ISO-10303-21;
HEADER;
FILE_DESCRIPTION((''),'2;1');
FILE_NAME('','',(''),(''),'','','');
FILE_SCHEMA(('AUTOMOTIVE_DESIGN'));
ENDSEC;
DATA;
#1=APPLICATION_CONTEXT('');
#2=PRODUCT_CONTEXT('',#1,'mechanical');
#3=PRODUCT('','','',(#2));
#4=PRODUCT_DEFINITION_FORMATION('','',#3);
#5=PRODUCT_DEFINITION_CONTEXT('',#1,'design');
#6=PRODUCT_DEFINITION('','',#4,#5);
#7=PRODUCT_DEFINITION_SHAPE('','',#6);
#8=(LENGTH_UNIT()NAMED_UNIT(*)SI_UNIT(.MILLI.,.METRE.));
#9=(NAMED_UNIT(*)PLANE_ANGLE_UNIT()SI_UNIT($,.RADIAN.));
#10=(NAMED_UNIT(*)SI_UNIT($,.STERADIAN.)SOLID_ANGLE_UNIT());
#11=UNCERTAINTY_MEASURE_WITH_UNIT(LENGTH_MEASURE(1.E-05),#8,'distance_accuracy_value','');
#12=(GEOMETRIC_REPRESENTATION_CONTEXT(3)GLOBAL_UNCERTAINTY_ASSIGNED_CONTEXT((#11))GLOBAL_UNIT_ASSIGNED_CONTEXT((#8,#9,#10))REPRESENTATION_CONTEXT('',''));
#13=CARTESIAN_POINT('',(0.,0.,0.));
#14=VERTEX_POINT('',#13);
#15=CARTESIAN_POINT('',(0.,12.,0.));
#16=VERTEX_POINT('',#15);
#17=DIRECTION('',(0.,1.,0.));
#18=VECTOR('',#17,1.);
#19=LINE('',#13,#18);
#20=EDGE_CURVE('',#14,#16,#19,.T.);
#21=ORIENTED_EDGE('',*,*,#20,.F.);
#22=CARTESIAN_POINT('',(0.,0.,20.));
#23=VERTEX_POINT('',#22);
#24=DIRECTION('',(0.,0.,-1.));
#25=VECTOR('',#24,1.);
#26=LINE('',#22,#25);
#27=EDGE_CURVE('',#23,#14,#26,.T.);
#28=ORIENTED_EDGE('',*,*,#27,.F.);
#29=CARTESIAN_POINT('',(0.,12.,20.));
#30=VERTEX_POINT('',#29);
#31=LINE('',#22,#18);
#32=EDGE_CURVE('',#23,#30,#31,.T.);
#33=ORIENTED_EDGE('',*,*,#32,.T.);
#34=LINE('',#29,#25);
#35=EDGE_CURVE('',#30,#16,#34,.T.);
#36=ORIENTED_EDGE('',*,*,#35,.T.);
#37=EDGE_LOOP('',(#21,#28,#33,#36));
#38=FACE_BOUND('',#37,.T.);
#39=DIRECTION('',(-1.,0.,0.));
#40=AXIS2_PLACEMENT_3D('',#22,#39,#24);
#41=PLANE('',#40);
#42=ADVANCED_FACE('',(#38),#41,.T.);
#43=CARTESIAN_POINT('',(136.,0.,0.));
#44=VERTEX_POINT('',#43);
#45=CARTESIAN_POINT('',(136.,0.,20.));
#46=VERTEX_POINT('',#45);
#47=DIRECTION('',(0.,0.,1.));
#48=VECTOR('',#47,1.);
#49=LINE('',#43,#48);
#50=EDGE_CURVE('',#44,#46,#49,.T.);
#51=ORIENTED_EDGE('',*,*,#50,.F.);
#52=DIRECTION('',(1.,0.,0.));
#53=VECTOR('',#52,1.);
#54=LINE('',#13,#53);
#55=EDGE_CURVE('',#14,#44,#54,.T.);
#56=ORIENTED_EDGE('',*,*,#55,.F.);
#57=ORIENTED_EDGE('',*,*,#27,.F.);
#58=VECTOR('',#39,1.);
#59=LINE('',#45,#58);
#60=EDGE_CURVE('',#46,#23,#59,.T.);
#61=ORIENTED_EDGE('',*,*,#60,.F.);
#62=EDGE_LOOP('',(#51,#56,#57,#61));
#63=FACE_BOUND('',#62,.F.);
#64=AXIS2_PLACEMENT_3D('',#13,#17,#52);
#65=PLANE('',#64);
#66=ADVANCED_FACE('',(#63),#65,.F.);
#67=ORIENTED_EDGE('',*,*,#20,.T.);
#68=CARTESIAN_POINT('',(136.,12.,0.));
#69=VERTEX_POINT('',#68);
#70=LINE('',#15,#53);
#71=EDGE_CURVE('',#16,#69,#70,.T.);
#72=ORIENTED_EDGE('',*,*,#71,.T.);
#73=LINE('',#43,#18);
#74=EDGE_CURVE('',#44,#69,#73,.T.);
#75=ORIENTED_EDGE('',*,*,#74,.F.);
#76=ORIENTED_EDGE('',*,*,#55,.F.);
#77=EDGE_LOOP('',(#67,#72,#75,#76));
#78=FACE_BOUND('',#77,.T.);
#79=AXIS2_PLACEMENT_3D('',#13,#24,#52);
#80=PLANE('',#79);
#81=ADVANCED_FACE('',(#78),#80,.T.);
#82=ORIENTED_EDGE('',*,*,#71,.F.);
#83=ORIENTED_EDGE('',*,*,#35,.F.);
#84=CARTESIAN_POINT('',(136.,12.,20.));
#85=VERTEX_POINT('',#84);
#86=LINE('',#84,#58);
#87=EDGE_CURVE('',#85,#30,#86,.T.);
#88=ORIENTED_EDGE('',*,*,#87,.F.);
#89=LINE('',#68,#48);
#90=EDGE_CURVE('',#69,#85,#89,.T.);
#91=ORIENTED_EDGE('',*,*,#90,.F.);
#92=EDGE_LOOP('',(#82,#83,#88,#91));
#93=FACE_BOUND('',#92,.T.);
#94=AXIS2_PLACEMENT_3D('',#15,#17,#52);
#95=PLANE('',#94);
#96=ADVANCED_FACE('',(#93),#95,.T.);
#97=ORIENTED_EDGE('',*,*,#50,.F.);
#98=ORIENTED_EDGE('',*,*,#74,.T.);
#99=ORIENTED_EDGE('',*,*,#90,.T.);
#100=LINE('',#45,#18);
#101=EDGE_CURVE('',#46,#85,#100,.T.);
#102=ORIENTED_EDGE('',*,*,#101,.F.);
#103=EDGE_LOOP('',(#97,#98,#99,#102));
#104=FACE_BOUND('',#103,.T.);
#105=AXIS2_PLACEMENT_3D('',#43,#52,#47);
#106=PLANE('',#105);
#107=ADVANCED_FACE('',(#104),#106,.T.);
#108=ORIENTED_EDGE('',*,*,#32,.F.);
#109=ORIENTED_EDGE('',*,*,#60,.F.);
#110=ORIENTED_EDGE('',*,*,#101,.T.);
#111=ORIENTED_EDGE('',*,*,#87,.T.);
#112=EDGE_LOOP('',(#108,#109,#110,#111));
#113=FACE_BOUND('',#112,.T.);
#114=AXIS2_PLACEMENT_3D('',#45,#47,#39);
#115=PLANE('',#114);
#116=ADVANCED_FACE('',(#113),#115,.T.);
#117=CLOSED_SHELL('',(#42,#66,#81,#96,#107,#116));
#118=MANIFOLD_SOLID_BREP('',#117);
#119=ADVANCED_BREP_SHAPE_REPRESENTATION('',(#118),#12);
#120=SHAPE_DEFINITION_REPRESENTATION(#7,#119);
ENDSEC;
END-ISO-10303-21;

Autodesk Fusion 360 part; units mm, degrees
sketch "Front Plate" plane through (0, 0, 0) normal (0, 1, 0) x (1, 0, 0)
  line L0 (0, 0) -> (136, 0)
  line L1 (136, 0) -> (136, -20)
  line L2 (136, -20) -> (0, -20)
  line L3 (0, -20) -> (0, 0)
  dimension "d5" = 136
  dimension "d6" = 20
extrude "Extrude1" add sketch "Front Plate" along normal blind 12
equation "block_size = 16 mm" comment "The size of the blocks used for the dimensions of the Minecraft Pig."
equation "pine_thickness = 12 mm" comment "The thickness of the pine boards used for the Minecraft Pig's body."
equation "front_plate_height = 2 * block_size - 1 * pine_thickness" comment "The height of the Front Plate that makes up the Minecraft Pig's body."
equation "front_plate_width = 10 * block_size - 2 * pine_thickness" comment "The width of the Front Plate that makes up the Minecraft Pig's body."
equation "d5 = front_plate_width"
equation "d6 = front_plate_height"
equation "d7 = pine_thickness"
